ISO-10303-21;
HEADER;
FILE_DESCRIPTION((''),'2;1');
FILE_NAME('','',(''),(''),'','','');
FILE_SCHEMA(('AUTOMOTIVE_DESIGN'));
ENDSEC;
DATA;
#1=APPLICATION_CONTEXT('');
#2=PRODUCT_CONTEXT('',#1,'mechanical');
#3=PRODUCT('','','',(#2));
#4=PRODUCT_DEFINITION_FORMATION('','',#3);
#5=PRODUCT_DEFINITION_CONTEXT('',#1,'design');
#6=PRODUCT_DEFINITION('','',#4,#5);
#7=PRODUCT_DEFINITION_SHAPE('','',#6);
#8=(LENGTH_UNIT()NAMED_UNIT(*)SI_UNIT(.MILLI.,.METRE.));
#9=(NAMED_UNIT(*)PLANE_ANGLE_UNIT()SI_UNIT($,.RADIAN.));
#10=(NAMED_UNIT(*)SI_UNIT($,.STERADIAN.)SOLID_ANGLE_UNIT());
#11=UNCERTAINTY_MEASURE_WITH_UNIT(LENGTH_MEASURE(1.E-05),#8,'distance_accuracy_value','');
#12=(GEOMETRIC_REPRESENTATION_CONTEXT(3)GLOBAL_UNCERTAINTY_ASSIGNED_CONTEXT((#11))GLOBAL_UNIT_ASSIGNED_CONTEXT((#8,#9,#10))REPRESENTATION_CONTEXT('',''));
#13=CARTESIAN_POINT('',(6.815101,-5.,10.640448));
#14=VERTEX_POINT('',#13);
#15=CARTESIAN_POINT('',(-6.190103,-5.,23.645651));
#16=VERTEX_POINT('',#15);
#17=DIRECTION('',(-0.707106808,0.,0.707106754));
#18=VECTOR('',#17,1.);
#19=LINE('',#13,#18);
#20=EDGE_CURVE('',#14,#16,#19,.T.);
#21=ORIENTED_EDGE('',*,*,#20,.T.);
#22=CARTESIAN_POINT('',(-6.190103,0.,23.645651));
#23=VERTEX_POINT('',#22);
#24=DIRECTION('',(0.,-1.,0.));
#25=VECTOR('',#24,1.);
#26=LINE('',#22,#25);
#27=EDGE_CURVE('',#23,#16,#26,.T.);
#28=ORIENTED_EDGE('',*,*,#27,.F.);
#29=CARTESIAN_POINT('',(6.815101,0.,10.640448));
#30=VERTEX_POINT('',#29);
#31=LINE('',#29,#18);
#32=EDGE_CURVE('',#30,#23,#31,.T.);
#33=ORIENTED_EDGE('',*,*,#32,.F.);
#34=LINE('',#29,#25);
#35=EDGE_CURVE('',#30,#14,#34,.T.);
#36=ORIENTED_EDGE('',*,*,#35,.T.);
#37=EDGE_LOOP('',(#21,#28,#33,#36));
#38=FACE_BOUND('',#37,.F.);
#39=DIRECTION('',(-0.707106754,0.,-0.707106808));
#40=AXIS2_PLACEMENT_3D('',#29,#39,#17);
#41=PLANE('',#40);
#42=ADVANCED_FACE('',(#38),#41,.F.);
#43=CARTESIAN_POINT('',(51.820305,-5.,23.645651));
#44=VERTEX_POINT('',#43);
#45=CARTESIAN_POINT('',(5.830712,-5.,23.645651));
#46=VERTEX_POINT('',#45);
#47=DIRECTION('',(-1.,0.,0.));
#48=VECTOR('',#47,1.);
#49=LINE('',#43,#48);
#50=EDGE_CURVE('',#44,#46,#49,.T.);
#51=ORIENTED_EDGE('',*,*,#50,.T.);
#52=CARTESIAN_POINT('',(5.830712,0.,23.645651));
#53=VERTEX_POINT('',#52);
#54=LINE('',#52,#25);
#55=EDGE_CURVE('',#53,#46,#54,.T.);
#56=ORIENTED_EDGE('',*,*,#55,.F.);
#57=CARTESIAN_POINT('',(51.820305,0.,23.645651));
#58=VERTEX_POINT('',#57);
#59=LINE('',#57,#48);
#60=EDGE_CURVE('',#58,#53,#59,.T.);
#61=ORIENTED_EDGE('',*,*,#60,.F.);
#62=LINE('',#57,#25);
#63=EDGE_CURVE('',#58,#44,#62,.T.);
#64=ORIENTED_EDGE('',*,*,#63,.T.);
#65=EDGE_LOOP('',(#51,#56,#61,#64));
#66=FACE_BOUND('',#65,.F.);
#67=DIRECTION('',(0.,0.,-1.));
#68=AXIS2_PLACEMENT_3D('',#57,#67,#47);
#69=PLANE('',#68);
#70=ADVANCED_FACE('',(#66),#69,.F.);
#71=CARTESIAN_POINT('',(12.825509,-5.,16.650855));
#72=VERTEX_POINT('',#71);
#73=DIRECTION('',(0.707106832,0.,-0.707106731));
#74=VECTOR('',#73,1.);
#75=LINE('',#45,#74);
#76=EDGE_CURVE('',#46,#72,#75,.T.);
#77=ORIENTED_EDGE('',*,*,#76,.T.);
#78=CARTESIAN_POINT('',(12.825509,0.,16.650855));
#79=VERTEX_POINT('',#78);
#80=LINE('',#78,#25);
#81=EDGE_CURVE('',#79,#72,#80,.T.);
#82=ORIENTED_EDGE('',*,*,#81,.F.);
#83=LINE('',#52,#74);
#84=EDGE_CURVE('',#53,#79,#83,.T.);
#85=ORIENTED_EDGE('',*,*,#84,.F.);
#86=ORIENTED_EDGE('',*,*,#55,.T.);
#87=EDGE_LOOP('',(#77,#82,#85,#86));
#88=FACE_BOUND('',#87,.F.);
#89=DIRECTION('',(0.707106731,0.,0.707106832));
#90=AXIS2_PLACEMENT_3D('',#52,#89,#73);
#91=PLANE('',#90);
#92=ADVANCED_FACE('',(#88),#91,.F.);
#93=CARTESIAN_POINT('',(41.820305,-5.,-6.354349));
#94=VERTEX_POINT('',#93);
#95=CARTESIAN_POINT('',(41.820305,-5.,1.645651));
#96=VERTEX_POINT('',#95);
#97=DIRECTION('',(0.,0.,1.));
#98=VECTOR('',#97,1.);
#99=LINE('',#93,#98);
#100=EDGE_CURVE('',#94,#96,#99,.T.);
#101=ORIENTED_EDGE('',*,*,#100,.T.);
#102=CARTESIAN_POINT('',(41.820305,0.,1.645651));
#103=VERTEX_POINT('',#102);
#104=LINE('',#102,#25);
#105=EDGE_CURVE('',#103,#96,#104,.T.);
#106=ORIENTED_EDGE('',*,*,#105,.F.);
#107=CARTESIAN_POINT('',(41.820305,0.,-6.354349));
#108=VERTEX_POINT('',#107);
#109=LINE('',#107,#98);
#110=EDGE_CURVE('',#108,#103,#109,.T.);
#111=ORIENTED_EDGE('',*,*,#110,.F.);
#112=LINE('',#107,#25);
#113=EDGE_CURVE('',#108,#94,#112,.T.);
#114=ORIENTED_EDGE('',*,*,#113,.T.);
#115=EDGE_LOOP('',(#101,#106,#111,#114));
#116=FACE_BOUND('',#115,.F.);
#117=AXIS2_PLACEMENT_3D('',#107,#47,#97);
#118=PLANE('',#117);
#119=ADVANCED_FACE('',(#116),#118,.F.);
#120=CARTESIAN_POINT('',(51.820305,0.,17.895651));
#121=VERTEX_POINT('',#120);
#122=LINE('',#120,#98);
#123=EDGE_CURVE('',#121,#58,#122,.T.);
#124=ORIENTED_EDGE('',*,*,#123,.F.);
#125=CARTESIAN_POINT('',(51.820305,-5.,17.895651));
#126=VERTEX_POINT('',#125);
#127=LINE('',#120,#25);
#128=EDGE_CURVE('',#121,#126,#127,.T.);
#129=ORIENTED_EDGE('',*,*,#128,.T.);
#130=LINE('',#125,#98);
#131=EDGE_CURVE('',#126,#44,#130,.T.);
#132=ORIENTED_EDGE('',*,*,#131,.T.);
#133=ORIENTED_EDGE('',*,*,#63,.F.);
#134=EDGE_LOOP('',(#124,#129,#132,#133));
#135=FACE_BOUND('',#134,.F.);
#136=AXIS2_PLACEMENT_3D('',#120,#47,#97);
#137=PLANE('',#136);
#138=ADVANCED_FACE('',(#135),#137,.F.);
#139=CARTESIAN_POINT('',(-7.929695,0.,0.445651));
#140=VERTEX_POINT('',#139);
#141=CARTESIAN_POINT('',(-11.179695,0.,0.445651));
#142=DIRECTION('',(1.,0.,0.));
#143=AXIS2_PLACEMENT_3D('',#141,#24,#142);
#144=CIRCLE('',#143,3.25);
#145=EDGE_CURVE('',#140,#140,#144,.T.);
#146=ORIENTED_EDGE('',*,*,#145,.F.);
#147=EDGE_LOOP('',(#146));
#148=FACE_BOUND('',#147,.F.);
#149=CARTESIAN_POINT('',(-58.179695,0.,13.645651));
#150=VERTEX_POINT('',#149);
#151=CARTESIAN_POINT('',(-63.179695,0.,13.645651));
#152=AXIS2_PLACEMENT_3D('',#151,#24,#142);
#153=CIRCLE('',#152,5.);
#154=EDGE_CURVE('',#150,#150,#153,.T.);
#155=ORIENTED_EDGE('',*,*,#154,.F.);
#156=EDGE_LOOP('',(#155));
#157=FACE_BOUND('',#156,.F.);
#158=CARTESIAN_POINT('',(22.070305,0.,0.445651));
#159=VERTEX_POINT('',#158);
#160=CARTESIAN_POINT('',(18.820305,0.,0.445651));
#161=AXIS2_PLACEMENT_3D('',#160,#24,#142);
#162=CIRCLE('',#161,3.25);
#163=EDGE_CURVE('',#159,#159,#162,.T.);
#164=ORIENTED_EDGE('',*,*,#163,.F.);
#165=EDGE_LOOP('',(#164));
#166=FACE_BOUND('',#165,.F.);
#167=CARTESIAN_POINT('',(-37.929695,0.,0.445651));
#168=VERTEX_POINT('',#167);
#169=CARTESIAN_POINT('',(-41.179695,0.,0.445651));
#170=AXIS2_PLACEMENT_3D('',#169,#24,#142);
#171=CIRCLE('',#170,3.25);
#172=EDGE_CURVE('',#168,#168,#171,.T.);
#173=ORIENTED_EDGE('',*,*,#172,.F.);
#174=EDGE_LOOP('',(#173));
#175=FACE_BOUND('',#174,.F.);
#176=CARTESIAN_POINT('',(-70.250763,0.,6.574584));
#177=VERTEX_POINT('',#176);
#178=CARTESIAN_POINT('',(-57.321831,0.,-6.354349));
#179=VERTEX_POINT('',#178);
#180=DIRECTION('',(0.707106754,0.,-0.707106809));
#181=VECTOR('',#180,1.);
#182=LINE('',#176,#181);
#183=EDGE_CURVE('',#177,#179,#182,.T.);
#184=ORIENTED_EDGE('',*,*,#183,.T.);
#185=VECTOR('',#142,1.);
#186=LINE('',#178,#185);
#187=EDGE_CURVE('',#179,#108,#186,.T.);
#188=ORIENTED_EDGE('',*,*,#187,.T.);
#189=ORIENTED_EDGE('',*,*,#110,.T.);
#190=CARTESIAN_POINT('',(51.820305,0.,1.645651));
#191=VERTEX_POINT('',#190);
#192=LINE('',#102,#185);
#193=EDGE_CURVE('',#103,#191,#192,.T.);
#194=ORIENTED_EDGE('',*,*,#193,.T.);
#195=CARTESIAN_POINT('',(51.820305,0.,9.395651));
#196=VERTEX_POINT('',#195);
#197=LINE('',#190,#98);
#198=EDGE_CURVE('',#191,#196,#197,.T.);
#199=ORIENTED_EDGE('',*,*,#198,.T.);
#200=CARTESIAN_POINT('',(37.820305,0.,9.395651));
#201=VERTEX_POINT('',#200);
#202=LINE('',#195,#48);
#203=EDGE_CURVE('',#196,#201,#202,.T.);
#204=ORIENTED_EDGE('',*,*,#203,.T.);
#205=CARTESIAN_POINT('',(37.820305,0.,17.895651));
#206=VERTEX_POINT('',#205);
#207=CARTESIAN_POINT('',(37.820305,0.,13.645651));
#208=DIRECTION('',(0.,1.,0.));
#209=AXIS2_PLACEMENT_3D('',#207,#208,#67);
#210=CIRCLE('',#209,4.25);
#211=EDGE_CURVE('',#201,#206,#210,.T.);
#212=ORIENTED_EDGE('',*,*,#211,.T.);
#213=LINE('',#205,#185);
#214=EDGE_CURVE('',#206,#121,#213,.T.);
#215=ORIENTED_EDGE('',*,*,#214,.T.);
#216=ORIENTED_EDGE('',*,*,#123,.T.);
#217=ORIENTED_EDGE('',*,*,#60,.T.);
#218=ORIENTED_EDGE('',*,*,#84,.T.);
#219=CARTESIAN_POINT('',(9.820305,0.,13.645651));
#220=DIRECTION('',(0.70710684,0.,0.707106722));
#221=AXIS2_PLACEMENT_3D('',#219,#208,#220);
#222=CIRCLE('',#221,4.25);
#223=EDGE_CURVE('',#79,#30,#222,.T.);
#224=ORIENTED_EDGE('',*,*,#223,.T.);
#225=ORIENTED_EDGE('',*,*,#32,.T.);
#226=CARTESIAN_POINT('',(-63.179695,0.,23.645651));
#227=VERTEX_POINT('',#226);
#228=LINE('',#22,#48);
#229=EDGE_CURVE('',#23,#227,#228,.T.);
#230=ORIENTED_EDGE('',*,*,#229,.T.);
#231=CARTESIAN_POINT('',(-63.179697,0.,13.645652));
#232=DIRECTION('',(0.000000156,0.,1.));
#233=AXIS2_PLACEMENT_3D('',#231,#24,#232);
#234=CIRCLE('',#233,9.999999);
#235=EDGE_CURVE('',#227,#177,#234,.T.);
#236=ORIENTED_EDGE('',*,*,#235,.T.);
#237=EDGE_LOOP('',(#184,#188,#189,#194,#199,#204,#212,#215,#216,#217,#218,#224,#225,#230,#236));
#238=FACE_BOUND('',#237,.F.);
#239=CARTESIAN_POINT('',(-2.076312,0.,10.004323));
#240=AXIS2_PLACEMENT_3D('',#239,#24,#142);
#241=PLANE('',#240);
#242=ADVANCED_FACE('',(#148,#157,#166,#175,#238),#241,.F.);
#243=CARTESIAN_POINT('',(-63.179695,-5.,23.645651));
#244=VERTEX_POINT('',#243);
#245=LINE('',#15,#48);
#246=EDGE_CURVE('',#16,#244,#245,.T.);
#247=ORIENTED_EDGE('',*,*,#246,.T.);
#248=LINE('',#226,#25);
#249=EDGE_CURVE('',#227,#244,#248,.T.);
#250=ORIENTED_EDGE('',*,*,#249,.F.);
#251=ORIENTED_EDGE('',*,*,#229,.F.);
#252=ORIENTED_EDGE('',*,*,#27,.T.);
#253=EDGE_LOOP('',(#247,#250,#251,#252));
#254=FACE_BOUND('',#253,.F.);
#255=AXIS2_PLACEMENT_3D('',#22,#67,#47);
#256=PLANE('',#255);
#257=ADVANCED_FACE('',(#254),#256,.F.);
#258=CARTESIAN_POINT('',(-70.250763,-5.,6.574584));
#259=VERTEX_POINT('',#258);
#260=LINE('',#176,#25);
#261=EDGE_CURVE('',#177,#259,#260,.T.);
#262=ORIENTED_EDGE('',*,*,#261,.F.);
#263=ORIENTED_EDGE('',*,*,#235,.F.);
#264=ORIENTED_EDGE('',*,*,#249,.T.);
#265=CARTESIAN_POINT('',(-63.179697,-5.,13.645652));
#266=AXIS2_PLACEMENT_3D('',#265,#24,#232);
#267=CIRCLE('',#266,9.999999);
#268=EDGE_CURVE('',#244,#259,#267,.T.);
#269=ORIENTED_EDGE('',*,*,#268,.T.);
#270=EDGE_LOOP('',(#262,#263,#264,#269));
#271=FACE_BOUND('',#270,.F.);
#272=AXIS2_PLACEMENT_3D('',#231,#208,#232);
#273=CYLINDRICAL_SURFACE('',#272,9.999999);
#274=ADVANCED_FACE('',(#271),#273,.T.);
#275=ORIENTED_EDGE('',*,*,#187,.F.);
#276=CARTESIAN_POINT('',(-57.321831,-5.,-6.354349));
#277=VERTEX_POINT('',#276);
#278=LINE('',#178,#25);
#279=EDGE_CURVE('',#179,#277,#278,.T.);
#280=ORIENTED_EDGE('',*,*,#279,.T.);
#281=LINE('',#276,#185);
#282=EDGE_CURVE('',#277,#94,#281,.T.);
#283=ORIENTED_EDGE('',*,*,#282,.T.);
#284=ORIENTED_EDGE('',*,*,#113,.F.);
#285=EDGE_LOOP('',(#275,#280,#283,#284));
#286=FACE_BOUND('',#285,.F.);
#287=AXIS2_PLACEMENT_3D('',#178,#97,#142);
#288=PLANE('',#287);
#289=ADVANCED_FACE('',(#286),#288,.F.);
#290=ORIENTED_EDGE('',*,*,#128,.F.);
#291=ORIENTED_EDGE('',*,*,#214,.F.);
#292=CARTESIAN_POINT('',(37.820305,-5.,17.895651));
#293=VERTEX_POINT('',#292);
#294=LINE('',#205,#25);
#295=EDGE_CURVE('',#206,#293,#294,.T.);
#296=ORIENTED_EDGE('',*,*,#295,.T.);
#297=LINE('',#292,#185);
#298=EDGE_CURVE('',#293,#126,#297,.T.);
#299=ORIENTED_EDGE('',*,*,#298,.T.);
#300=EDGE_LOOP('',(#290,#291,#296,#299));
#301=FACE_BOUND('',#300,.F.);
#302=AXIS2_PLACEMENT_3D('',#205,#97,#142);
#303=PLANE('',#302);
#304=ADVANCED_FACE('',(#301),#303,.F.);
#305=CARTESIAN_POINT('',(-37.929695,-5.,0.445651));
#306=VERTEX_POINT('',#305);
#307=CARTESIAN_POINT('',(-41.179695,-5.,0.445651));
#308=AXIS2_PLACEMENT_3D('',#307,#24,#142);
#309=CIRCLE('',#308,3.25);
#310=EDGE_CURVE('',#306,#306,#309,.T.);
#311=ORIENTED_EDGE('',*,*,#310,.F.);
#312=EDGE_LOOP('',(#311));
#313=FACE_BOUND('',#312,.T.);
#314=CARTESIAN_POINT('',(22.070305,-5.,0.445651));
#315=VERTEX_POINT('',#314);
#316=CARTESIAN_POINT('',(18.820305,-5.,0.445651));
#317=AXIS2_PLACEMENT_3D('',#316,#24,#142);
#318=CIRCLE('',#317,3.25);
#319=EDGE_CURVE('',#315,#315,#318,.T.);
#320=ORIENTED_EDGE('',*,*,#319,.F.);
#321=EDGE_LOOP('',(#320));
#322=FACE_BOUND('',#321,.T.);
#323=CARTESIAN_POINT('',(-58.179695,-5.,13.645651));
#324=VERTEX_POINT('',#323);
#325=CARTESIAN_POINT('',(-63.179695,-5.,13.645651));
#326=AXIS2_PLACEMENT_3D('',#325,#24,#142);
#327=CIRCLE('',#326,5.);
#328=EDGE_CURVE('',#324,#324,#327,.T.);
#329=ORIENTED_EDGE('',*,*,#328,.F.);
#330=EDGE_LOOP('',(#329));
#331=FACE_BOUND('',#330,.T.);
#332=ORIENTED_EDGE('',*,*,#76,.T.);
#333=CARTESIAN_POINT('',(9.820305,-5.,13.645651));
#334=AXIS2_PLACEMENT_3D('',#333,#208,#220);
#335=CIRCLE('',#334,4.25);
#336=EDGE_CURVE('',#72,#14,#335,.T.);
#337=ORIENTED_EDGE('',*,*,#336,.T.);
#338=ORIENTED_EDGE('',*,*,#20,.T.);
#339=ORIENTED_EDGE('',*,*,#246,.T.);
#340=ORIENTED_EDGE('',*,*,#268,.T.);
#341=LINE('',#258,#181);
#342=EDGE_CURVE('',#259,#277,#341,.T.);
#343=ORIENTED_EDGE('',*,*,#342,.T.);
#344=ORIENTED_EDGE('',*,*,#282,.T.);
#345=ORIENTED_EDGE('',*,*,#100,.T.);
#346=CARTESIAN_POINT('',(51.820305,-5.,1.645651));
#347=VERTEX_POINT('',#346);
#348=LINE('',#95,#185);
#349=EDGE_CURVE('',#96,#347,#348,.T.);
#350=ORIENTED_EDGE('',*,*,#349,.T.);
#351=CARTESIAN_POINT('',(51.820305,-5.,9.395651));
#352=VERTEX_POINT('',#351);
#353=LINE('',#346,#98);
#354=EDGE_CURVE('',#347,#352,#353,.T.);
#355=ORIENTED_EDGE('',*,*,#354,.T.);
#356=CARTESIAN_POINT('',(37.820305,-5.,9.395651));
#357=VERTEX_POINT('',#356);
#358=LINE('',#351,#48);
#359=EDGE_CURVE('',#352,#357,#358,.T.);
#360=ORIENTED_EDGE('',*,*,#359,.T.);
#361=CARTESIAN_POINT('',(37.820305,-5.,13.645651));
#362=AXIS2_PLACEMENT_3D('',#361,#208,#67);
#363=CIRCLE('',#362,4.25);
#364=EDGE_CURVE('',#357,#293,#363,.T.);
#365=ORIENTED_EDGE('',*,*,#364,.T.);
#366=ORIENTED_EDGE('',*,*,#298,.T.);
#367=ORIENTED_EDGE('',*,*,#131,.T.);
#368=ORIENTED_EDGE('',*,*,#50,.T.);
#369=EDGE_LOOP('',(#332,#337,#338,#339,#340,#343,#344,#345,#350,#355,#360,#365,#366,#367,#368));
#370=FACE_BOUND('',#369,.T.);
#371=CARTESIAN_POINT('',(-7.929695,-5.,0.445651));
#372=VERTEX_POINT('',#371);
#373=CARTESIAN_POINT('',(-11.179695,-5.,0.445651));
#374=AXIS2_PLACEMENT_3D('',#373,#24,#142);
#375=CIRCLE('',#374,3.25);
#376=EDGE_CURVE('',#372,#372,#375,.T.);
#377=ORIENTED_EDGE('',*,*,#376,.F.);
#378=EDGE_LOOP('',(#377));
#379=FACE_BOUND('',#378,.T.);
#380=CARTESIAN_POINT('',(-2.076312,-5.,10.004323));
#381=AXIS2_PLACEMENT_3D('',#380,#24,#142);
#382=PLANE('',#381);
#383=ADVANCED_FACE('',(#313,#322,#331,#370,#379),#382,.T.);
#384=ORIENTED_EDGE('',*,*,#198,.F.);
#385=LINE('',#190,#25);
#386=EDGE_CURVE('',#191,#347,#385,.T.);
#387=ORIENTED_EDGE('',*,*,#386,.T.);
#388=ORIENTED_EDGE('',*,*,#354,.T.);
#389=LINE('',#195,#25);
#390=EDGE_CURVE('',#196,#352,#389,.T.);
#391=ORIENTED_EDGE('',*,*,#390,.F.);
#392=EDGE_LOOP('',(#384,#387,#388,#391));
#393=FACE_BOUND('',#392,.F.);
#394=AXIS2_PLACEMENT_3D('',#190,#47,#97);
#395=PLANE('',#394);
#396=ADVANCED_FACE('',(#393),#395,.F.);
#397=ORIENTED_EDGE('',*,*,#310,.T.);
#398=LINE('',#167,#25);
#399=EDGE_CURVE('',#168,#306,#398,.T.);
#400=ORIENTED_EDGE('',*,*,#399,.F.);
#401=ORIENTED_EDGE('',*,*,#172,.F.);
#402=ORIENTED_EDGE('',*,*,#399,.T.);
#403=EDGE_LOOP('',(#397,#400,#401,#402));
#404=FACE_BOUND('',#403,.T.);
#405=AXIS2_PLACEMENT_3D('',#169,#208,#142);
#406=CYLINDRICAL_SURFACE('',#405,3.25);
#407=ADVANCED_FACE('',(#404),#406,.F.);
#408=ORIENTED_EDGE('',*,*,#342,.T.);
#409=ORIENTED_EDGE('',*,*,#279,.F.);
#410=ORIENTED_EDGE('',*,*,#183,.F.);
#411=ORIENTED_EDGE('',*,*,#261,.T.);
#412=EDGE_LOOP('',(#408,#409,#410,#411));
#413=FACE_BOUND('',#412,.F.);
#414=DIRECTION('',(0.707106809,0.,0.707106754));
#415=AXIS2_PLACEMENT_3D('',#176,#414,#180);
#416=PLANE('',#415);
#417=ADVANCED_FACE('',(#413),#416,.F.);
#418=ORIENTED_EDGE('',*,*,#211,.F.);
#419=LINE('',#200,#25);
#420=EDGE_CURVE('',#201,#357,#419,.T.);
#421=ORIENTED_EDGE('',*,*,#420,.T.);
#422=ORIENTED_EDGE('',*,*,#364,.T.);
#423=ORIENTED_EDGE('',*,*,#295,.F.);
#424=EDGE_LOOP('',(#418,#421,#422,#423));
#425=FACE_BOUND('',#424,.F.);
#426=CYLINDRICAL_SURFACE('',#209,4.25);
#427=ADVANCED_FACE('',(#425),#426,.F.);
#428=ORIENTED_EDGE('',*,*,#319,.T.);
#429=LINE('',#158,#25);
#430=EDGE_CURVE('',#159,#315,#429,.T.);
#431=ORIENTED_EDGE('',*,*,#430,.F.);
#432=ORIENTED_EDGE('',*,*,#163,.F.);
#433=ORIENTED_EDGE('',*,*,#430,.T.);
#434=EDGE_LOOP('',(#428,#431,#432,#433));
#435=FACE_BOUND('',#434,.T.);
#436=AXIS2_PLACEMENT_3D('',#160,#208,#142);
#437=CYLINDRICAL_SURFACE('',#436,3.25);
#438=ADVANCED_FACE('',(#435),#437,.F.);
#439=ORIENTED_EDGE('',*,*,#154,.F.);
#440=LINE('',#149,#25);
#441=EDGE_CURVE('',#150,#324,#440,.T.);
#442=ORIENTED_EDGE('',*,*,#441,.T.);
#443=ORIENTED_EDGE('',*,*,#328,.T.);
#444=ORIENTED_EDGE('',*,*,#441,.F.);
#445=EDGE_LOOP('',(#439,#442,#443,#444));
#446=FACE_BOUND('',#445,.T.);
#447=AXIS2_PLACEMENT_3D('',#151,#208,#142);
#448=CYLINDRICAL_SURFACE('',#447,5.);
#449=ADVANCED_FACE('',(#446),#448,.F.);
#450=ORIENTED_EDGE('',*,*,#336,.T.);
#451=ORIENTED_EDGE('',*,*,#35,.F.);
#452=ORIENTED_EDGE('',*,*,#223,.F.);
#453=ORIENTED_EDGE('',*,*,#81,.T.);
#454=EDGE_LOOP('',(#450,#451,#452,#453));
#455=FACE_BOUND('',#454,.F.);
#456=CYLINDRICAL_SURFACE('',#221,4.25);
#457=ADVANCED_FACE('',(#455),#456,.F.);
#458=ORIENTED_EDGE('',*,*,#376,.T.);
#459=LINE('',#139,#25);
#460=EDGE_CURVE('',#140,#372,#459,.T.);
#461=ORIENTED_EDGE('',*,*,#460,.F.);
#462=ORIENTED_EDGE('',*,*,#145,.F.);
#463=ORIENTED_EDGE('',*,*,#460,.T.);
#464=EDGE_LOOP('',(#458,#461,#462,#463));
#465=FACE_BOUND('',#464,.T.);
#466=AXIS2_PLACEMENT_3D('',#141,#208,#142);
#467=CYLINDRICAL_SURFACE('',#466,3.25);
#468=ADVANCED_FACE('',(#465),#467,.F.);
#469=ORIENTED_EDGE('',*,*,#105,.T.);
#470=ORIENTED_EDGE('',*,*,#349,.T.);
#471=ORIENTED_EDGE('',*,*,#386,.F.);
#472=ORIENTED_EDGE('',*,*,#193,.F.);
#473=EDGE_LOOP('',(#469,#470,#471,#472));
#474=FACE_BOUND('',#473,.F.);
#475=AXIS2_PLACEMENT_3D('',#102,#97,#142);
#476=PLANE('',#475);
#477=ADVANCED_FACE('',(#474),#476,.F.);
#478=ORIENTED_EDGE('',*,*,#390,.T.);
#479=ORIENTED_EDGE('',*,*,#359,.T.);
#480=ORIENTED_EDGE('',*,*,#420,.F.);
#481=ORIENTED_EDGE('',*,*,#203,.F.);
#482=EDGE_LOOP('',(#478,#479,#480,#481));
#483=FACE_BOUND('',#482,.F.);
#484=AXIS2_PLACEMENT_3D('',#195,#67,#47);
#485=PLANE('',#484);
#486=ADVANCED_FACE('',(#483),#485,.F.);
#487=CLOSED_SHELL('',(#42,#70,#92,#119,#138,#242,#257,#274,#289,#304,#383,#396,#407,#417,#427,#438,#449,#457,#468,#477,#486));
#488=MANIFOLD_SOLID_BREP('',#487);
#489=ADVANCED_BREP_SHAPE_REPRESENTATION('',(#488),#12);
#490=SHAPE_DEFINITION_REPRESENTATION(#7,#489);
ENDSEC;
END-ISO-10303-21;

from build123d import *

# Parameters (mm, degrees)
F0_R     = 3.25
F0_R_2   = 5
F1_DEPTH = 5


with BuildPart() as f1:
    # F0 (on Front) → F1 (new body)
    with BuildSketch(Plane.XZ):
        with BuildLine():
            Line((-6.190103, 23.645651), (-63.179695, 23.645651))
            ThreePointArc((-63.179695, 23.645651), (-72.418491, 17.472486), (-70.250763, 6.574584))
            Line((-70.250763, 6.574584), (-57.321831, -6.354349))
            Line((-57.321831, -6.354349), (41.820305, -6.354349))
            Line((41.820305, -6.354349), (41.820305, 1.645651))
            Line((41.820305, 1.645651), (51.820305, 1.645651))
            Line((51.820305, 1.645651), (51.820305, 9.395651))
            Line((51.820305, 9.395651), (37.820305, 9.395651))
            ThreePointArc((37.820305, 9.395651), (33.570305, 13.645651), (37.820305, 17.895651))
            Line((37.820305, 17.895651), (51.820305, 17.895651))
            Line((51.820305, 17.895651), (51.820305, 23.645651))
            Line((51.820305, 23.645651), (16.653307, 23.645651))
            Line((16.653307, 23.645651), (16.080297, 23.645651))
            Line((16.080297, 23.645651), (5.830712, 23.645651))
            Line((5.830712, 23.645651), (12.825509, 16.650855))
            ThreePointArc((12.825509, 16.650855), (12.825509, 10.640448), (6.815101, 10.640448))
            Line((6.815101, 10.640448), (-6.190103, 23.645651))
        make_face()
        with Locations((-41.179695, 0.445651)):
            Circle(F0_R, mode=Mode.SUBTRACT)
        with Locations((-11.179695, 0.445651)):
            Circle(F0_R, mode=Mode.SUBTRACT)
        with Locations((18.820305, 0.445651)):
            Circle(F0_R, mode=Mode.SUBTRACT)
        with Locations((-63.179695, 13.645651)):
            Circle(F0_R_2, mode=Mode.SUBTRACT)
    extrude(amount=F1_DEPTH)


solid = f1.part
